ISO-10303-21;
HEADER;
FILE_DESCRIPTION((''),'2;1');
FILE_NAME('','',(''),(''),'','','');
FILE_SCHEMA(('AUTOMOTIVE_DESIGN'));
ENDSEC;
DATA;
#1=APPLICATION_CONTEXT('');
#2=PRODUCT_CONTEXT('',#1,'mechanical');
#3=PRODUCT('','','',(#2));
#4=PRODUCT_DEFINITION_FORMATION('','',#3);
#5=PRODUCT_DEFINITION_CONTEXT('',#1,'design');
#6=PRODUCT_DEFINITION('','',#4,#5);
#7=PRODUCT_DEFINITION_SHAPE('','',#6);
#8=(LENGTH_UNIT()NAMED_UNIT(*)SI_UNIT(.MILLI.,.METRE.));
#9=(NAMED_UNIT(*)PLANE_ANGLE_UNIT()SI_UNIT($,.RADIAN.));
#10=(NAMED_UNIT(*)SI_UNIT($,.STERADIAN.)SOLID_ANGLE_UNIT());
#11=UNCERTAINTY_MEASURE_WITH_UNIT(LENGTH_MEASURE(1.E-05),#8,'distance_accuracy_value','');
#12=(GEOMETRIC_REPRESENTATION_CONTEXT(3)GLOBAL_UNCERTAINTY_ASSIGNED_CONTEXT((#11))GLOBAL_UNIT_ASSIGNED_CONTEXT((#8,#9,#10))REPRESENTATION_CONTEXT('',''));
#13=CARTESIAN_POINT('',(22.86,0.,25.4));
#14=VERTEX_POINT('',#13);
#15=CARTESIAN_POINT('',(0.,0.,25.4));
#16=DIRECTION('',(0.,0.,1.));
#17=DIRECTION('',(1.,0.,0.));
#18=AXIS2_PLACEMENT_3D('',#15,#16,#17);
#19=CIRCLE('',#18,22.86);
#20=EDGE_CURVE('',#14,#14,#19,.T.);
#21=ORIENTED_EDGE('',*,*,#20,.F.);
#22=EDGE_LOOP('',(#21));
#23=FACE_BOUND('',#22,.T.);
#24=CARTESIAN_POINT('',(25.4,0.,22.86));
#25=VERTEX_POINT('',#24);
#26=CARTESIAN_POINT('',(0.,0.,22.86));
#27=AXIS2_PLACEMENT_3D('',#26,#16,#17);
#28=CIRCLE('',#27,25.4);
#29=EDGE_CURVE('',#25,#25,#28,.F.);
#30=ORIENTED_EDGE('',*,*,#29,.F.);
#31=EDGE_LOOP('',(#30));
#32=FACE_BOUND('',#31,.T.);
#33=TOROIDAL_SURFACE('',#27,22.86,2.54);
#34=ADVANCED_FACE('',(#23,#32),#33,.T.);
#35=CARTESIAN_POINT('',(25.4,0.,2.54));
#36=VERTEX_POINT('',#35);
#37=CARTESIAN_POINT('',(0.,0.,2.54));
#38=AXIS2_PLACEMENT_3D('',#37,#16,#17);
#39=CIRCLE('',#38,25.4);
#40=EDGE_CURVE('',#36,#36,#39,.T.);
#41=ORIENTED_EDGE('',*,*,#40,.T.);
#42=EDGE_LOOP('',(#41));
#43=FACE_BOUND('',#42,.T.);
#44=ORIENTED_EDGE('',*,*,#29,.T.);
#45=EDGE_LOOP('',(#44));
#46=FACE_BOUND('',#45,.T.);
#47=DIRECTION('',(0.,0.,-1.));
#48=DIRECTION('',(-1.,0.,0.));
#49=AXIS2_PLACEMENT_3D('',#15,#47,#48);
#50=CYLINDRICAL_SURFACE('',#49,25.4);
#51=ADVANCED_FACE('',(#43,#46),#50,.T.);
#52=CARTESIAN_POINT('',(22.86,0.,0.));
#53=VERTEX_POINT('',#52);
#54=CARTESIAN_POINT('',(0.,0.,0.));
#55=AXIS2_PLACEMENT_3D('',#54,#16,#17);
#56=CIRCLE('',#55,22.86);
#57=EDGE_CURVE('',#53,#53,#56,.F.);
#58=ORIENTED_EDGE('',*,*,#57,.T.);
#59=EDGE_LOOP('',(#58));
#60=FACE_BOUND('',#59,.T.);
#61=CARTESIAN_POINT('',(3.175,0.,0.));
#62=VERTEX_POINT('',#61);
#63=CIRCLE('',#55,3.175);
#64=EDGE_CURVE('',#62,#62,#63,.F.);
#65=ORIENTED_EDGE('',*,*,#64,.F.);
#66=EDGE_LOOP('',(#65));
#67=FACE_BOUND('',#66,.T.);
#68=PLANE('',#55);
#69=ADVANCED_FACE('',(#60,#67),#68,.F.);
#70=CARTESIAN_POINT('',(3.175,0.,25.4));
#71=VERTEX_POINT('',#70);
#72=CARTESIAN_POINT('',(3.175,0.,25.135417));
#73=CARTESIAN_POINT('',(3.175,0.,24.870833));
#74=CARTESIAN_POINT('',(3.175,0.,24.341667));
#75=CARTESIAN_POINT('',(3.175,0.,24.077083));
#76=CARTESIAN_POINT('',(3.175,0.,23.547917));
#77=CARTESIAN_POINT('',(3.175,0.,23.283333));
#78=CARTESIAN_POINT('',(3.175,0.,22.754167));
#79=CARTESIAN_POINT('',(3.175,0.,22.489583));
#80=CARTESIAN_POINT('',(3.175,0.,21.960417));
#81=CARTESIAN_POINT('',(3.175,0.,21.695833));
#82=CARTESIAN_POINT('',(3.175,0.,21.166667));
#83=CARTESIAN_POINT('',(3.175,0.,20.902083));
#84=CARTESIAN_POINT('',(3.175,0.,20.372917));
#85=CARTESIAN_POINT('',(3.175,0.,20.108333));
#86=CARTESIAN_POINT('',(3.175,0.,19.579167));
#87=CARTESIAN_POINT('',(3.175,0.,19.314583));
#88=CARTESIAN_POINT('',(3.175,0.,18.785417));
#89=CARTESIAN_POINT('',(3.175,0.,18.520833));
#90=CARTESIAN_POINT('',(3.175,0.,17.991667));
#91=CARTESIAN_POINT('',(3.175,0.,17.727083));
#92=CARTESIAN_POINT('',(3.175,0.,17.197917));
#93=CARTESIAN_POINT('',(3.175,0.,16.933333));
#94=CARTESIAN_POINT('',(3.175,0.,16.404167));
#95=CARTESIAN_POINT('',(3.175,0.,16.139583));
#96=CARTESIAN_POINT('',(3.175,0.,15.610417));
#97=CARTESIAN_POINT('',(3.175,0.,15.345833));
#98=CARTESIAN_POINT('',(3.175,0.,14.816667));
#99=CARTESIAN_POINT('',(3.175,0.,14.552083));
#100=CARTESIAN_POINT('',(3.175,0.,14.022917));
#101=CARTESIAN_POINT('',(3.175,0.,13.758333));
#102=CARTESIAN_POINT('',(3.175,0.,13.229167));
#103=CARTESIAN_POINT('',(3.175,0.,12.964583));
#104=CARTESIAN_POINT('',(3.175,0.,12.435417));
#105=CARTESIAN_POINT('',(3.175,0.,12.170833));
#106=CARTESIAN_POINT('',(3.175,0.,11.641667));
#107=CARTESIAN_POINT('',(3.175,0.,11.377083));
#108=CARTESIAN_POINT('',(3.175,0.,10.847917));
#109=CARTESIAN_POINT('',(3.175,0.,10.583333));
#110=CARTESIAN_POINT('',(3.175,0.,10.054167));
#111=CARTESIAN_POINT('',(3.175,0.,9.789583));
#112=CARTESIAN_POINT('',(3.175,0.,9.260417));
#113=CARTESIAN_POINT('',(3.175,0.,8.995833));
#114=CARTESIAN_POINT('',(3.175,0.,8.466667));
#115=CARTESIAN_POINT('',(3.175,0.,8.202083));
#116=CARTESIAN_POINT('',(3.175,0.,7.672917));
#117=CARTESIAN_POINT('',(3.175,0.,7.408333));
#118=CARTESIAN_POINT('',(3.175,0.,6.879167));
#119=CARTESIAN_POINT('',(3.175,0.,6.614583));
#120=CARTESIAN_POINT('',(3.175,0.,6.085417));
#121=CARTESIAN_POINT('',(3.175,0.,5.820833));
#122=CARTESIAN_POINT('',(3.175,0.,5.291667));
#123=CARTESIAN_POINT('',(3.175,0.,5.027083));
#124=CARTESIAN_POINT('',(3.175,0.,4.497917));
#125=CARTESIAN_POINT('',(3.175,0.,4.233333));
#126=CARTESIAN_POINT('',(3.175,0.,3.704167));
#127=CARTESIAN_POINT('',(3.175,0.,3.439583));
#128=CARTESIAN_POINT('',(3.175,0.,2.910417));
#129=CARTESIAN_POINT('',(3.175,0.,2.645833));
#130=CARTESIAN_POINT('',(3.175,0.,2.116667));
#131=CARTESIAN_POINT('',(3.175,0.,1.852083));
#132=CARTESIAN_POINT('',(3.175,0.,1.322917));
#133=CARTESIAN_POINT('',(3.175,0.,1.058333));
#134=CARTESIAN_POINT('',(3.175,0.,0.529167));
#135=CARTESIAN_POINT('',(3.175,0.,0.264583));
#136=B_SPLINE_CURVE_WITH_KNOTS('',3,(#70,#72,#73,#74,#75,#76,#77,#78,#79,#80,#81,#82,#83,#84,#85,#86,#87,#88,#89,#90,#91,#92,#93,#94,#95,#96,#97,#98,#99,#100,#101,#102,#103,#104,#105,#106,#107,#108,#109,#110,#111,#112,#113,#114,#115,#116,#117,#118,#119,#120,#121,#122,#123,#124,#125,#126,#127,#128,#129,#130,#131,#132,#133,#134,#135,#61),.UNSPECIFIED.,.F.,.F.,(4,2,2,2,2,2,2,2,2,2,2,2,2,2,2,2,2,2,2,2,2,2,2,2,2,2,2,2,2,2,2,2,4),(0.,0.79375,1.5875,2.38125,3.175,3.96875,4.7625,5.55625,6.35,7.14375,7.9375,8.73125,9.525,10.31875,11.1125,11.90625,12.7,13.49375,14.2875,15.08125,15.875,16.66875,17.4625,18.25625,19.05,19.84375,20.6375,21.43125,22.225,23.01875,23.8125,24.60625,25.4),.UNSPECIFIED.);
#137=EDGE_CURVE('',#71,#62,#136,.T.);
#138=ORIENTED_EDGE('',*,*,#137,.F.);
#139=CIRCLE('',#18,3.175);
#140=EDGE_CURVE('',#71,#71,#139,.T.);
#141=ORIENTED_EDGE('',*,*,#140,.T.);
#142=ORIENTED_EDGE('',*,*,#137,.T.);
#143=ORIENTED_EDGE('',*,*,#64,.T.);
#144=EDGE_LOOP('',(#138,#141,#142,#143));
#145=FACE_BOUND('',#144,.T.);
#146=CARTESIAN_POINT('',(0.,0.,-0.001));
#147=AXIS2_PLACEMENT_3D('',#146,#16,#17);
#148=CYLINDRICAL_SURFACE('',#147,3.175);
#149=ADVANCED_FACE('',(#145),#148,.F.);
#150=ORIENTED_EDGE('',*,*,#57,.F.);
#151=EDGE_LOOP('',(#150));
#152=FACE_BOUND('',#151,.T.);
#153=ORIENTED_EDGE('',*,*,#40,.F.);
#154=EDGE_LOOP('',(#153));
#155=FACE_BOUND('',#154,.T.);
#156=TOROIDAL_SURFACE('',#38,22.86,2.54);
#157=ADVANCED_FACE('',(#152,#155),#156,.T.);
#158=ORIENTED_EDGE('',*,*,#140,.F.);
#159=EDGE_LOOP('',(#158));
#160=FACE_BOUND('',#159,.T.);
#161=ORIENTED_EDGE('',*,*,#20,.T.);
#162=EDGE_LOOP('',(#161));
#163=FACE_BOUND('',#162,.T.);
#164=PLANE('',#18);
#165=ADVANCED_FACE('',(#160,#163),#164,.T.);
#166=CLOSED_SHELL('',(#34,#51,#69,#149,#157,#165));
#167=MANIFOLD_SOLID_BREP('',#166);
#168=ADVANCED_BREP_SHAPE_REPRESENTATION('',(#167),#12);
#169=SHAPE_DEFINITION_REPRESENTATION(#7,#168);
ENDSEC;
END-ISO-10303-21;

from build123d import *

# Parameters (mm, degrees)
SKETCH1_R           = 25.4
BOSS_EXTRUDE1_DEPTH = 25.4
FILLET1_R           = 2.54
CUT_EXTRUDE1_REACH  = 45.994
SKETCH2_R           = 3.175


with BuildPart() as part:
    # Sketch1 → Boss-Extrude1 (new body)
    with BuildSketch(Plane.XY):
        Circle(SKETCH1_R)
    extrude(amount=BOSS_EXTRUDE1_DEPTH)

    # Fillet1
    fillet1_edges = [part.edges().sort_by_distance(p)[0] for p in [
        (-25.4, 0, 0),
        (-25.4, 0, 25.4),
    ]]
    fillet(fillet1_edges, radius=FILLET1_R)

    # Sketch2 → Cut-Extrude1 (cut, up to next)
    with BuildSketch(Plane.XY.offset(25.4), mode=Mode.PRIVATE) as cut_extrude1_sk1:
        Circle(SKETCH2_R)
    cut_extrude1_tool1 = extrude(cut_extrude1_sk1.sketch, amount=-CUT_EXTRUDE1_REACH, mode=Mode.PRIVATE) & part.part
    add(cut_extrude1_tool1.solids().sort_by_distance((0, 0, 25.4))[0], mode=Mode.SUBTRACT)


solid = part.part
